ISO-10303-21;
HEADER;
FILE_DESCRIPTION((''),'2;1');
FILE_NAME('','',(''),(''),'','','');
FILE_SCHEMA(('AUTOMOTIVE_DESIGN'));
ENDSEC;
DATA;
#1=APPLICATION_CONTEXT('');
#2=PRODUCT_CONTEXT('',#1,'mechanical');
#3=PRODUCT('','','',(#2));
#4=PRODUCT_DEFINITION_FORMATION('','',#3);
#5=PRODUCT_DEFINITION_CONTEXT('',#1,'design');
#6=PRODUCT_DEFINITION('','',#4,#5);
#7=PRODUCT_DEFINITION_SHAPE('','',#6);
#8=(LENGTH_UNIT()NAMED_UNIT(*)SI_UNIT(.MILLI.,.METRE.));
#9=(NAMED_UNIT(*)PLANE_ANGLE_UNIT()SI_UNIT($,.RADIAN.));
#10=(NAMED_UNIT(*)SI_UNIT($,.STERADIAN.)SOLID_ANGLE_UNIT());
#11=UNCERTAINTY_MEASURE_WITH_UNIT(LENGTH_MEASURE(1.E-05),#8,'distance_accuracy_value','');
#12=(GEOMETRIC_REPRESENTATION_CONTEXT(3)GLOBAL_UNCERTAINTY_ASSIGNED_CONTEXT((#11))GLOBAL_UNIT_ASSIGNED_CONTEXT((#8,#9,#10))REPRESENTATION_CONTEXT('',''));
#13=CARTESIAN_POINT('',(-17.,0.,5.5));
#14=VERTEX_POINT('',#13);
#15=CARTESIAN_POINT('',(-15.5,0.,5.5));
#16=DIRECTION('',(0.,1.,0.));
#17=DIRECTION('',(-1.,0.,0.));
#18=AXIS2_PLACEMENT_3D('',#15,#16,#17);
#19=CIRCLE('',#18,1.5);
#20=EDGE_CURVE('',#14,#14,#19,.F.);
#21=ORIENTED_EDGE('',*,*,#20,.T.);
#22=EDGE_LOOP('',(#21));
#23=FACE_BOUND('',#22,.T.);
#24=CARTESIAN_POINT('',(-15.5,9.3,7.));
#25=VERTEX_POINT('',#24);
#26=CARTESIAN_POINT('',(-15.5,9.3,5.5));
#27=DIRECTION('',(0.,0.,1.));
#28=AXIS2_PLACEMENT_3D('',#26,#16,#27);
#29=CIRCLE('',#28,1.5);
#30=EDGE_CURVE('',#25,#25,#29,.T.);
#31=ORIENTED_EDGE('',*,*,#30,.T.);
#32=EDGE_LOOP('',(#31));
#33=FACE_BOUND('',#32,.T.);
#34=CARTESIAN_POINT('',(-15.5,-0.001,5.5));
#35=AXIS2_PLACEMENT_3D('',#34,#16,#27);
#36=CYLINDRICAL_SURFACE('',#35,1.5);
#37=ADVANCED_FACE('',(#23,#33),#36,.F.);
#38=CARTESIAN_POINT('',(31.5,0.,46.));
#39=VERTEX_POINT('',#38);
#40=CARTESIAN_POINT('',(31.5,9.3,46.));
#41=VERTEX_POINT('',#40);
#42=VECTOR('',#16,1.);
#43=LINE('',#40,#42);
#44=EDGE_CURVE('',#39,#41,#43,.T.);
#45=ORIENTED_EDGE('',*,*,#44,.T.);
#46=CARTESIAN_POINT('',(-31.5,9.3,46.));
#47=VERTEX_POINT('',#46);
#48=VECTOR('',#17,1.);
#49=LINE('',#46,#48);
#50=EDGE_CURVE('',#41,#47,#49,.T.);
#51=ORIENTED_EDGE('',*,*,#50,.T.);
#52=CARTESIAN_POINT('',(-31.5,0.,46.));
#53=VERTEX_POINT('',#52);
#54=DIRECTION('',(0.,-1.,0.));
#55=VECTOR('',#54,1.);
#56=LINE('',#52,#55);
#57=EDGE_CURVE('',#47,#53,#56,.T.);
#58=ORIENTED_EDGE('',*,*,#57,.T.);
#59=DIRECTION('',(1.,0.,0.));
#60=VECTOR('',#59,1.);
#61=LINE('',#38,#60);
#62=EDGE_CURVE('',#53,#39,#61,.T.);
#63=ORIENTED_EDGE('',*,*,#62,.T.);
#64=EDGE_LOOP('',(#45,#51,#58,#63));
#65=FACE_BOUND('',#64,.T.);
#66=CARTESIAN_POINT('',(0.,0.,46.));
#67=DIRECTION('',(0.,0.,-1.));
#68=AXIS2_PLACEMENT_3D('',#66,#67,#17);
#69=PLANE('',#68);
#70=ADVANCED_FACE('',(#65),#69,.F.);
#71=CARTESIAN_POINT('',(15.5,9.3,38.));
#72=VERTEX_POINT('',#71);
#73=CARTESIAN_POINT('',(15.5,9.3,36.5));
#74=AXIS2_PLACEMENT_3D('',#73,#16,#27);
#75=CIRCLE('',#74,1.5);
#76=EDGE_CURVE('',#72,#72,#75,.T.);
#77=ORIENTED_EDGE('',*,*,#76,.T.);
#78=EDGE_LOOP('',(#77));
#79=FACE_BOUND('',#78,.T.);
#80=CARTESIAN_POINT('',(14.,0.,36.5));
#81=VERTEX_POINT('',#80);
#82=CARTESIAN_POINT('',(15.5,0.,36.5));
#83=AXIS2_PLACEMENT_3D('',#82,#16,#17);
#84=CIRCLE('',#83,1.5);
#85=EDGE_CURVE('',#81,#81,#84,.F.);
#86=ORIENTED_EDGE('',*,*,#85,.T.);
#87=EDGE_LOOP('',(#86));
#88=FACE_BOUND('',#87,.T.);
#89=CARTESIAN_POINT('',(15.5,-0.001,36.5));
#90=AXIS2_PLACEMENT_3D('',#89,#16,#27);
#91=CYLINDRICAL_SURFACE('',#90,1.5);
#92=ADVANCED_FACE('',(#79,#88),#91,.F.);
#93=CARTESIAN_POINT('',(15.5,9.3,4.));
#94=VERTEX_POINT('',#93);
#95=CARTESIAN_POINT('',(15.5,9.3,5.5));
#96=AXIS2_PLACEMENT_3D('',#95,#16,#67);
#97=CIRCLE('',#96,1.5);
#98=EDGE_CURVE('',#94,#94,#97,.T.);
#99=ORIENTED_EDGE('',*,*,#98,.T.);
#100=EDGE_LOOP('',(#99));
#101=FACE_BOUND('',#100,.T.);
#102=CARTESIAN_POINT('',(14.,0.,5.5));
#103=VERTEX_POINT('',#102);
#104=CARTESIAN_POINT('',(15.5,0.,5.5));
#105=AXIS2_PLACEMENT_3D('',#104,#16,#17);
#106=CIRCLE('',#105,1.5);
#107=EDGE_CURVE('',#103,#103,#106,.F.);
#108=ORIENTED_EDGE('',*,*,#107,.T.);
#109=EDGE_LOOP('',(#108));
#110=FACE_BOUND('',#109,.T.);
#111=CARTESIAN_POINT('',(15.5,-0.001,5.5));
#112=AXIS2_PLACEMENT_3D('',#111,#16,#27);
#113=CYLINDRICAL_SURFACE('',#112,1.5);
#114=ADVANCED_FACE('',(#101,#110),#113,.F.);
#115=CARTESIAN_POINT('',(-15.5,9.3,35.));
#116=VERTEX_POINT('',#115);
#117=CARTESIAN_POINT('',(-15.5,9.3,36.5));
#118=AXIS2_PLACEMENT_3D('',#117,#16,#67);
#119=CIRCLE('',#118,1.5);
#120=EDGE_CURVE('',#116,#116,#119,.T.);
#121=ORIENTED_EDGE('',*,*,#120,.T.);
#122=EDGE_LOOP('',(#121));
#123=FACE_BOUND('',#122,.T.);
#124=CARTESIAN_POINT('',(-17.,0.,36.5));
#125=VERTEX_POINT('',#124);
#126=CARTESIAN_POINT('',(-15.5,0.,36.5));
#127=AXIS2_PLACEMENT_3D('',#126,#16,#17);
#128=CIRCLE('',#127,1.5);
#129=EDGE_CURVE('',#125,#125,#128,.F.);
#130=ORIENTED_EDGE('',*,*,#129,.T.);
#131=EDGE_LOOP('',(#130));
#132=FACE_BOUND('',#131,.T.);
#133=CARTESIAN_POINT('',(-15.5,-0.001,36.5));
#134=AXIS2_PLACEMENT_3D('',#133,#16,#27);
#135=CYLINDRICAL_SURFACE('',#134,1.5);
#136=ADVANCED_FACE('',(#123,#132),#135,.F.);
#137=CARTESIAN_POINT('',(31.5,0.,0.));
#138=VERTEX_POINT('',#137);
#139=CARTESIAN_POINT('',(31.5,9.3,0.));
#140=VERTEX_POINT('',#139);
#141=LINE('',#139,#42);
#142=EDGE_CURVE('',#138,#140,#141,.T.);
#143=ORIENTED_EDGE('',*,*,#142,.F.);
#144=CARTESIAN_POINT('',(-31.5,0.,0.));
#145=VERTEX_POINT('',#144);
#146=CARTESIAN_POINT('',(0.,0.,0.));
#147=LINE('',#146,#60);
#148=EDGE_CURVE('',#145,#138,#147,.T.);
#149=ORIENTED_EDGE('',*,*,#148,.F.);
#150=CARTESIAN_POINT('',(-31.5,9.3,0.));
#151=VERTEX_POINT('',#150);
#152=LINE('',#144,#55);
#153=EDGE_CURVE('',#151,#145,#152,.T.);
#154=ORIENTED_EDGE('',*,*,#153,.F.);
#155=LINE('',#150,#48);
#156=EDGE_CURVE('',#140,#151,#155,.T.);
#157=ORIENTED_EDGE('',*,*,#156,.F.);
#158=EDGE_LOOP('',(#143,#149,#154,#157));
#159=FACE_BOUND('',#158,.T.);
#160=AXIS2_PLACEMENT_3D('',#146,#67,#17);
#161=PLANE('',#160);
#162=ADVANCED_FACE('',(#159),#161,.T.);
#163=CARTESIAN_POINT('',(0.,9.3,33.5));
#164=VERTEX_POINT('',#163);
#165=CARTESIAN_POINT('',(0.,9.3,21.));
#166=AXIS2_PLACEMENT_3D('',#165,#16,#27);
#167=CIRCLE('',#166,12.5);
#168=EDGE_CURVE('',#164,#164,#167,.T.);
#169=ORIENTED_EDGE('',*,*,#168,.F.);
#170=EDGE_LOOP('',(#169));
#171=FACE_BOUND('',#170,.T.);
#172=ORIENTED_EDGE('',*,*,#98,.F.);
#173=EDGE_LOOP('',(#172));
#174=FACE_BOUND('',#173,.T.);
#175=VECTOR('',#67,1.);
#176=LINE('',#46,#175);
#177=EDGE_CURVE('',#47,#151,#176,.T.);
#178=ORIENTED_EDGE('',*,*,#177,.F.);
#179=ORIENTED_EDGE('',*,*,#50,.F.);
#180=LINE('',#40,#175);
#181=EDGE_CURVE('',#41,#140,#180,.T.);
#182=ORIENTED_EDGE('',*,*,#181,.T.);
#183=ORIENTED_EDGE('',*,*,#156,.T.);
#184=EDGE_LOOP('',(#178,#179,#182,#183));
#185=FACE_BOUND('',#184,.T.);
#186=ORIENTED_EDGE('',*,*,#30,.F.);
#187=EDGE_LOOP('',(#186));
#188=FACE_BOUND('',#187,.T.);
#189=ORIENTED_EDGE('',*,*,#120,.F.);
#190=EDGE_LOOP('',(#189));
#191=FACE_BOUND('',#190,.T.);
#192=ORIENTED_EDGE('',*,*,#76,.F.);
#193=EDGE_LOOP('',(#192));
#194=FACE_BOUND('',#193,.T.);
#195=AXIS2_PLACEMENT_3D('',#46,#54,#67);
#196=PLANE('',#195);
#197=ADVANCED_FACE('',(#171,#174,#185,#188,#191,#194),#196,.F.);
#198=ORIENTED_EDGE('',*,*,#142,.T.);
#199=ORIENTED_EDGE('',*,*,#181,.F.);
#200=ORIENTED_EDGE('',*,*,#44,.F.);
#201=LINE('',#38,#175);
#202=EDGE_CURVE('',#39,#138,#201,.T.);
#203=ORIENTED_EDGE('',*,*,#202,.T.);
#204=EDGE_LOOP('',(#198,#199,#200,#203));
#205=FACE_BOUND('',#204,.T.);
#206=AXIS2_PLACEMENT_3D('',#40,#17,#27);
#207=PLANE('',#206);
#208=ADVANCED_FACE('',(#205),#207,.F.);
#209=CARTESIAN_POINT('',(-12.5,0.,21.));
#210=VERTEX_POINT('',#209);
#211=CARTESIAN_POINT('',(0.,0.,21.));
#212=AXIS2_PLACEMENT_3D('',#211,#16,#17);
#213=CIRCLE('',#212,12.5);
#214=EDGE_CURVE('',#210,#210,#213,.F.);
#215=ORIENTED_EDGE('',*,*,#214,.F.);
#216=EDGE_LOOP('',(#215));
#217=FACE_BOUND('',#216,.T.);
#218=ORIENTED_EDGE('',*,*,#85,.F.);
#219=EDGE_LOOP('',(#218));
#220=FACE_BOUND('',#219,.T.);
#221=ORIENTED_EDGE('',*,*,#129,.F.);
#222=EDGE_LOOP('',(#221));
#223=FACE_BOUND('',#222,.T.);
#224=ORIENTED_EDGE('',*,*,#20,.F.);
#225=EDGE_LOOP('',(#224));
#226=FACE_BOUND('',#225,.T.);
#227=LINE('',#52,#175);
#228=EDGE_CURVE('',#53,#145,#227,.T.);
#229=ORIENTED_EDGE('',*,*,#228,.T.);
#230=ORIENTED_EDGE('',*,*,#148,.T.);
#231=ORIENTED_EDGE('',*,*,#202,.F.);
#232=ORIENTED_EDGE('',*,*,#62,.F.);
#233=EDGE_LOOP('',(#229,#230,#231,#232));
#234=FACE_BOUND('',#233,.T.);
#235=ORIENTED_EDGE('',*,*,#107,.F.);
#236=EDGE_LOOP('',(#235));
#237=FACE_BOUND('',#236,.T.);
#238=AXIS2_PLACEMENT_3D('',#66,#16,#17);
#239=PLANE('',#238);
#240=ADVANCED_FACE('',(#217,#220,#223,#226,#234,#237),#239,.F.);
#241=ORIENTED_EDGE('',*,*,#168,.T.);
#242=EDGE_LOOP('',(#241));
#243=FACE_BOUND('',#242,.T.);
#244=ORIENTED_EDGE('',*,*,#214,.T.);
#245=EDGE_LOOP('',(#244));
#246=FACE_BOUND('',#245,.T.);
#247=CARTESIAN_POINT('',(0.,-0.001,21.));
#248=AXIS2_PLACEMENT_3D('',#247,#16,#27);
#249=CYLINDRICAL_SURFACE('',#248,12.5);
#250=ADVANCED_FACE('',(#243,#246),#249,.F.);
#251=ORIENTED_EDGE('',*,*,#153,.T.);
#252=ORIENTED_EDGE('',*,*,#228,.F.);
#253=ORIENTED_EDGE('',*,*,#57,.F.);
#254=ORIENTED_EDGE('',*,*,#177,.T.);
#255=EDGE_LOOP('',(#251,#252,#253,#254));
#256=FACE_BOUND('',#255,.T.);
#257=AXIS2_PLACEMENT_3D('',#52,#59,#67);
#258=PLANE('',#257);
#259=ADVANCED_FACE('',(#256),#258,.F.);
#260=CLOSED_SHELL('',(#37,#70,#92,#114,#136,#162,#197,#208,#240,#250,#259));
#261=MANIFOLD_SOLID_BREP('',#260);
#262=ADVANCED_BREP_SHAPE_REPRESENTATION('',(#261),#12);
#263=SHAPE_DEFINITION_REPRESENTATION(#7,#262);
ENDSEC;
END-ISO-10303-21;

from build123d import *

# Parameters (mm, degrees)
BOSS_EXTRUDE1_DEPTH = 46
CUT_EXTRUDE1_REACH  = 11.3
SKETCH2_R           = 12.5
SKETCH2_R_2         = 1.5


with BuildPart() as part:
    # Sketch1 → Boss-Extrude1 (new body)
    with BuildSketch(Plane.XY):
        Polygon((0, 0), (-31.5, 0), (-31.5, 9.3), (31.5, 9.3), (31.5, 0), align=None)
    extrude(amount=BOSS_EXTRUDE1_DEPTH)

    # Sketch2 → Cut-Extrude1 (cut, up to next)
    with BuildSketch(Plane(origin=(0, 9.3, 0), x_dir=(1, 0, 0), z_dir=(0, 1, 0)), mode=Mode.PRIVATE) as cut_extrude1_sk1:
        with Locations((0, -21)):
            Circle(SKETCH2_R)
    cut_extrude1_tool1 = extrude(cut_extrude1_sk1.sketch, amount=-CUT_EXTRUDE1_REACH, mode=Mode.PRIVATE) & part.part
    add(cut_extrude1_tool1.solids().sort_by_distance((0, 9.3, 21))[0], mode=Mode.SUBTRACT)
    # Sketch2 → Cut-Extrude1 (cut, up to next)
    with BuildSketch(Plane(origin=(0, 9.3, 0), x_dir=(1, 0, 0), z_dir=(0, 1, 0)), mode=Mode.PRIVATE) as cut_extrude1_sk2:
        with Locations((-15.5, -5.5)):
            Circle(SKETCH2_R_2)
    cut_extrude1_tool2 = extrude(cut_extrude1_sk2.sketch, amount=-CUT_EXTRUDE1_REACH, mode=Mode.PRIVATE) & part.part
    add(cut_extrude1_tool2.solids().sort_by_distance((-15.5, 9.3, 5.5))[0], mode=Mode.SUBTRACT)
    # Sketch2 → Cut-Extrude1 (cut, up to next)
    with BuildSketch(Plane(origin=(0, 9.3, 0), x_dir=(1, 0, 0), z_dir=(0, 1, 0)), mode=Mode.PRIVATE) as cut_extrude1_sk3:
        with Locations((-15.5, -36.5)):
            Circle(SKETCH2_R_2)
    cut_extrude1_tool3 = extrude(cut_extrude1_sk3.sketch, amount=-CUT_EXTRUDE1_REACH, mode=Mode.PRIVATE) & part.part
    add(cut_extrude1_tool3.solids().sort_by_distance((-15.5, 9.3, 36.5))[0], mode=Mode.SUBTRACT)
    # Sketch2 → Cut-Extrude1 (cut, up to next)
    with BuildSketch(Plane(origin=(0, 9.3, 0), x_dir=(1, 0, 0), z_dir=(0, 1, 0)), mode=Mode.PRIVATE) as cut_extrude1_sk4:
        with Locations((15.5, -5.5)):
            Circle(SKETCH2_R_2)
    cut_extrude1_tool4 = extrude(cut_extrude1_sk4.sketch, amount=-CUT_EXTRUDE1_REACH, mode=Mode.PRIVATE) & part.part
    add(cut_extrude1_tool4.solids().sort_by_distance((15.5, 9.3, 5.5))[0], mode=Mode.SUBTRACT)
    # Sketch2 → Cut-Extrude1 (cut, up to next)
    with BuildSketch(Plane(origin=(0, 9.3, 0), x_dir=(1, 0, 0), z_dir=(0, 1, 0)), mode=Mode.PRIVATE) as cut_extrude1_sk5:
        with Locations((15.5, -36.5)):
            Circle(SKETCH2_R_2)
    cut_extrude1_tool5 = extrude(cut_extrude1_sk5.sketch, amount=-CUT_EXTRUDE1_REACH, mode=Mode.PRIVATE) & part.part
    add(cut_extrude1_tool5.solids().sort_by_distance((15.5, 9.3, 36.5))[0], mode=Mode.SUBTRACT)


solid = part.part
